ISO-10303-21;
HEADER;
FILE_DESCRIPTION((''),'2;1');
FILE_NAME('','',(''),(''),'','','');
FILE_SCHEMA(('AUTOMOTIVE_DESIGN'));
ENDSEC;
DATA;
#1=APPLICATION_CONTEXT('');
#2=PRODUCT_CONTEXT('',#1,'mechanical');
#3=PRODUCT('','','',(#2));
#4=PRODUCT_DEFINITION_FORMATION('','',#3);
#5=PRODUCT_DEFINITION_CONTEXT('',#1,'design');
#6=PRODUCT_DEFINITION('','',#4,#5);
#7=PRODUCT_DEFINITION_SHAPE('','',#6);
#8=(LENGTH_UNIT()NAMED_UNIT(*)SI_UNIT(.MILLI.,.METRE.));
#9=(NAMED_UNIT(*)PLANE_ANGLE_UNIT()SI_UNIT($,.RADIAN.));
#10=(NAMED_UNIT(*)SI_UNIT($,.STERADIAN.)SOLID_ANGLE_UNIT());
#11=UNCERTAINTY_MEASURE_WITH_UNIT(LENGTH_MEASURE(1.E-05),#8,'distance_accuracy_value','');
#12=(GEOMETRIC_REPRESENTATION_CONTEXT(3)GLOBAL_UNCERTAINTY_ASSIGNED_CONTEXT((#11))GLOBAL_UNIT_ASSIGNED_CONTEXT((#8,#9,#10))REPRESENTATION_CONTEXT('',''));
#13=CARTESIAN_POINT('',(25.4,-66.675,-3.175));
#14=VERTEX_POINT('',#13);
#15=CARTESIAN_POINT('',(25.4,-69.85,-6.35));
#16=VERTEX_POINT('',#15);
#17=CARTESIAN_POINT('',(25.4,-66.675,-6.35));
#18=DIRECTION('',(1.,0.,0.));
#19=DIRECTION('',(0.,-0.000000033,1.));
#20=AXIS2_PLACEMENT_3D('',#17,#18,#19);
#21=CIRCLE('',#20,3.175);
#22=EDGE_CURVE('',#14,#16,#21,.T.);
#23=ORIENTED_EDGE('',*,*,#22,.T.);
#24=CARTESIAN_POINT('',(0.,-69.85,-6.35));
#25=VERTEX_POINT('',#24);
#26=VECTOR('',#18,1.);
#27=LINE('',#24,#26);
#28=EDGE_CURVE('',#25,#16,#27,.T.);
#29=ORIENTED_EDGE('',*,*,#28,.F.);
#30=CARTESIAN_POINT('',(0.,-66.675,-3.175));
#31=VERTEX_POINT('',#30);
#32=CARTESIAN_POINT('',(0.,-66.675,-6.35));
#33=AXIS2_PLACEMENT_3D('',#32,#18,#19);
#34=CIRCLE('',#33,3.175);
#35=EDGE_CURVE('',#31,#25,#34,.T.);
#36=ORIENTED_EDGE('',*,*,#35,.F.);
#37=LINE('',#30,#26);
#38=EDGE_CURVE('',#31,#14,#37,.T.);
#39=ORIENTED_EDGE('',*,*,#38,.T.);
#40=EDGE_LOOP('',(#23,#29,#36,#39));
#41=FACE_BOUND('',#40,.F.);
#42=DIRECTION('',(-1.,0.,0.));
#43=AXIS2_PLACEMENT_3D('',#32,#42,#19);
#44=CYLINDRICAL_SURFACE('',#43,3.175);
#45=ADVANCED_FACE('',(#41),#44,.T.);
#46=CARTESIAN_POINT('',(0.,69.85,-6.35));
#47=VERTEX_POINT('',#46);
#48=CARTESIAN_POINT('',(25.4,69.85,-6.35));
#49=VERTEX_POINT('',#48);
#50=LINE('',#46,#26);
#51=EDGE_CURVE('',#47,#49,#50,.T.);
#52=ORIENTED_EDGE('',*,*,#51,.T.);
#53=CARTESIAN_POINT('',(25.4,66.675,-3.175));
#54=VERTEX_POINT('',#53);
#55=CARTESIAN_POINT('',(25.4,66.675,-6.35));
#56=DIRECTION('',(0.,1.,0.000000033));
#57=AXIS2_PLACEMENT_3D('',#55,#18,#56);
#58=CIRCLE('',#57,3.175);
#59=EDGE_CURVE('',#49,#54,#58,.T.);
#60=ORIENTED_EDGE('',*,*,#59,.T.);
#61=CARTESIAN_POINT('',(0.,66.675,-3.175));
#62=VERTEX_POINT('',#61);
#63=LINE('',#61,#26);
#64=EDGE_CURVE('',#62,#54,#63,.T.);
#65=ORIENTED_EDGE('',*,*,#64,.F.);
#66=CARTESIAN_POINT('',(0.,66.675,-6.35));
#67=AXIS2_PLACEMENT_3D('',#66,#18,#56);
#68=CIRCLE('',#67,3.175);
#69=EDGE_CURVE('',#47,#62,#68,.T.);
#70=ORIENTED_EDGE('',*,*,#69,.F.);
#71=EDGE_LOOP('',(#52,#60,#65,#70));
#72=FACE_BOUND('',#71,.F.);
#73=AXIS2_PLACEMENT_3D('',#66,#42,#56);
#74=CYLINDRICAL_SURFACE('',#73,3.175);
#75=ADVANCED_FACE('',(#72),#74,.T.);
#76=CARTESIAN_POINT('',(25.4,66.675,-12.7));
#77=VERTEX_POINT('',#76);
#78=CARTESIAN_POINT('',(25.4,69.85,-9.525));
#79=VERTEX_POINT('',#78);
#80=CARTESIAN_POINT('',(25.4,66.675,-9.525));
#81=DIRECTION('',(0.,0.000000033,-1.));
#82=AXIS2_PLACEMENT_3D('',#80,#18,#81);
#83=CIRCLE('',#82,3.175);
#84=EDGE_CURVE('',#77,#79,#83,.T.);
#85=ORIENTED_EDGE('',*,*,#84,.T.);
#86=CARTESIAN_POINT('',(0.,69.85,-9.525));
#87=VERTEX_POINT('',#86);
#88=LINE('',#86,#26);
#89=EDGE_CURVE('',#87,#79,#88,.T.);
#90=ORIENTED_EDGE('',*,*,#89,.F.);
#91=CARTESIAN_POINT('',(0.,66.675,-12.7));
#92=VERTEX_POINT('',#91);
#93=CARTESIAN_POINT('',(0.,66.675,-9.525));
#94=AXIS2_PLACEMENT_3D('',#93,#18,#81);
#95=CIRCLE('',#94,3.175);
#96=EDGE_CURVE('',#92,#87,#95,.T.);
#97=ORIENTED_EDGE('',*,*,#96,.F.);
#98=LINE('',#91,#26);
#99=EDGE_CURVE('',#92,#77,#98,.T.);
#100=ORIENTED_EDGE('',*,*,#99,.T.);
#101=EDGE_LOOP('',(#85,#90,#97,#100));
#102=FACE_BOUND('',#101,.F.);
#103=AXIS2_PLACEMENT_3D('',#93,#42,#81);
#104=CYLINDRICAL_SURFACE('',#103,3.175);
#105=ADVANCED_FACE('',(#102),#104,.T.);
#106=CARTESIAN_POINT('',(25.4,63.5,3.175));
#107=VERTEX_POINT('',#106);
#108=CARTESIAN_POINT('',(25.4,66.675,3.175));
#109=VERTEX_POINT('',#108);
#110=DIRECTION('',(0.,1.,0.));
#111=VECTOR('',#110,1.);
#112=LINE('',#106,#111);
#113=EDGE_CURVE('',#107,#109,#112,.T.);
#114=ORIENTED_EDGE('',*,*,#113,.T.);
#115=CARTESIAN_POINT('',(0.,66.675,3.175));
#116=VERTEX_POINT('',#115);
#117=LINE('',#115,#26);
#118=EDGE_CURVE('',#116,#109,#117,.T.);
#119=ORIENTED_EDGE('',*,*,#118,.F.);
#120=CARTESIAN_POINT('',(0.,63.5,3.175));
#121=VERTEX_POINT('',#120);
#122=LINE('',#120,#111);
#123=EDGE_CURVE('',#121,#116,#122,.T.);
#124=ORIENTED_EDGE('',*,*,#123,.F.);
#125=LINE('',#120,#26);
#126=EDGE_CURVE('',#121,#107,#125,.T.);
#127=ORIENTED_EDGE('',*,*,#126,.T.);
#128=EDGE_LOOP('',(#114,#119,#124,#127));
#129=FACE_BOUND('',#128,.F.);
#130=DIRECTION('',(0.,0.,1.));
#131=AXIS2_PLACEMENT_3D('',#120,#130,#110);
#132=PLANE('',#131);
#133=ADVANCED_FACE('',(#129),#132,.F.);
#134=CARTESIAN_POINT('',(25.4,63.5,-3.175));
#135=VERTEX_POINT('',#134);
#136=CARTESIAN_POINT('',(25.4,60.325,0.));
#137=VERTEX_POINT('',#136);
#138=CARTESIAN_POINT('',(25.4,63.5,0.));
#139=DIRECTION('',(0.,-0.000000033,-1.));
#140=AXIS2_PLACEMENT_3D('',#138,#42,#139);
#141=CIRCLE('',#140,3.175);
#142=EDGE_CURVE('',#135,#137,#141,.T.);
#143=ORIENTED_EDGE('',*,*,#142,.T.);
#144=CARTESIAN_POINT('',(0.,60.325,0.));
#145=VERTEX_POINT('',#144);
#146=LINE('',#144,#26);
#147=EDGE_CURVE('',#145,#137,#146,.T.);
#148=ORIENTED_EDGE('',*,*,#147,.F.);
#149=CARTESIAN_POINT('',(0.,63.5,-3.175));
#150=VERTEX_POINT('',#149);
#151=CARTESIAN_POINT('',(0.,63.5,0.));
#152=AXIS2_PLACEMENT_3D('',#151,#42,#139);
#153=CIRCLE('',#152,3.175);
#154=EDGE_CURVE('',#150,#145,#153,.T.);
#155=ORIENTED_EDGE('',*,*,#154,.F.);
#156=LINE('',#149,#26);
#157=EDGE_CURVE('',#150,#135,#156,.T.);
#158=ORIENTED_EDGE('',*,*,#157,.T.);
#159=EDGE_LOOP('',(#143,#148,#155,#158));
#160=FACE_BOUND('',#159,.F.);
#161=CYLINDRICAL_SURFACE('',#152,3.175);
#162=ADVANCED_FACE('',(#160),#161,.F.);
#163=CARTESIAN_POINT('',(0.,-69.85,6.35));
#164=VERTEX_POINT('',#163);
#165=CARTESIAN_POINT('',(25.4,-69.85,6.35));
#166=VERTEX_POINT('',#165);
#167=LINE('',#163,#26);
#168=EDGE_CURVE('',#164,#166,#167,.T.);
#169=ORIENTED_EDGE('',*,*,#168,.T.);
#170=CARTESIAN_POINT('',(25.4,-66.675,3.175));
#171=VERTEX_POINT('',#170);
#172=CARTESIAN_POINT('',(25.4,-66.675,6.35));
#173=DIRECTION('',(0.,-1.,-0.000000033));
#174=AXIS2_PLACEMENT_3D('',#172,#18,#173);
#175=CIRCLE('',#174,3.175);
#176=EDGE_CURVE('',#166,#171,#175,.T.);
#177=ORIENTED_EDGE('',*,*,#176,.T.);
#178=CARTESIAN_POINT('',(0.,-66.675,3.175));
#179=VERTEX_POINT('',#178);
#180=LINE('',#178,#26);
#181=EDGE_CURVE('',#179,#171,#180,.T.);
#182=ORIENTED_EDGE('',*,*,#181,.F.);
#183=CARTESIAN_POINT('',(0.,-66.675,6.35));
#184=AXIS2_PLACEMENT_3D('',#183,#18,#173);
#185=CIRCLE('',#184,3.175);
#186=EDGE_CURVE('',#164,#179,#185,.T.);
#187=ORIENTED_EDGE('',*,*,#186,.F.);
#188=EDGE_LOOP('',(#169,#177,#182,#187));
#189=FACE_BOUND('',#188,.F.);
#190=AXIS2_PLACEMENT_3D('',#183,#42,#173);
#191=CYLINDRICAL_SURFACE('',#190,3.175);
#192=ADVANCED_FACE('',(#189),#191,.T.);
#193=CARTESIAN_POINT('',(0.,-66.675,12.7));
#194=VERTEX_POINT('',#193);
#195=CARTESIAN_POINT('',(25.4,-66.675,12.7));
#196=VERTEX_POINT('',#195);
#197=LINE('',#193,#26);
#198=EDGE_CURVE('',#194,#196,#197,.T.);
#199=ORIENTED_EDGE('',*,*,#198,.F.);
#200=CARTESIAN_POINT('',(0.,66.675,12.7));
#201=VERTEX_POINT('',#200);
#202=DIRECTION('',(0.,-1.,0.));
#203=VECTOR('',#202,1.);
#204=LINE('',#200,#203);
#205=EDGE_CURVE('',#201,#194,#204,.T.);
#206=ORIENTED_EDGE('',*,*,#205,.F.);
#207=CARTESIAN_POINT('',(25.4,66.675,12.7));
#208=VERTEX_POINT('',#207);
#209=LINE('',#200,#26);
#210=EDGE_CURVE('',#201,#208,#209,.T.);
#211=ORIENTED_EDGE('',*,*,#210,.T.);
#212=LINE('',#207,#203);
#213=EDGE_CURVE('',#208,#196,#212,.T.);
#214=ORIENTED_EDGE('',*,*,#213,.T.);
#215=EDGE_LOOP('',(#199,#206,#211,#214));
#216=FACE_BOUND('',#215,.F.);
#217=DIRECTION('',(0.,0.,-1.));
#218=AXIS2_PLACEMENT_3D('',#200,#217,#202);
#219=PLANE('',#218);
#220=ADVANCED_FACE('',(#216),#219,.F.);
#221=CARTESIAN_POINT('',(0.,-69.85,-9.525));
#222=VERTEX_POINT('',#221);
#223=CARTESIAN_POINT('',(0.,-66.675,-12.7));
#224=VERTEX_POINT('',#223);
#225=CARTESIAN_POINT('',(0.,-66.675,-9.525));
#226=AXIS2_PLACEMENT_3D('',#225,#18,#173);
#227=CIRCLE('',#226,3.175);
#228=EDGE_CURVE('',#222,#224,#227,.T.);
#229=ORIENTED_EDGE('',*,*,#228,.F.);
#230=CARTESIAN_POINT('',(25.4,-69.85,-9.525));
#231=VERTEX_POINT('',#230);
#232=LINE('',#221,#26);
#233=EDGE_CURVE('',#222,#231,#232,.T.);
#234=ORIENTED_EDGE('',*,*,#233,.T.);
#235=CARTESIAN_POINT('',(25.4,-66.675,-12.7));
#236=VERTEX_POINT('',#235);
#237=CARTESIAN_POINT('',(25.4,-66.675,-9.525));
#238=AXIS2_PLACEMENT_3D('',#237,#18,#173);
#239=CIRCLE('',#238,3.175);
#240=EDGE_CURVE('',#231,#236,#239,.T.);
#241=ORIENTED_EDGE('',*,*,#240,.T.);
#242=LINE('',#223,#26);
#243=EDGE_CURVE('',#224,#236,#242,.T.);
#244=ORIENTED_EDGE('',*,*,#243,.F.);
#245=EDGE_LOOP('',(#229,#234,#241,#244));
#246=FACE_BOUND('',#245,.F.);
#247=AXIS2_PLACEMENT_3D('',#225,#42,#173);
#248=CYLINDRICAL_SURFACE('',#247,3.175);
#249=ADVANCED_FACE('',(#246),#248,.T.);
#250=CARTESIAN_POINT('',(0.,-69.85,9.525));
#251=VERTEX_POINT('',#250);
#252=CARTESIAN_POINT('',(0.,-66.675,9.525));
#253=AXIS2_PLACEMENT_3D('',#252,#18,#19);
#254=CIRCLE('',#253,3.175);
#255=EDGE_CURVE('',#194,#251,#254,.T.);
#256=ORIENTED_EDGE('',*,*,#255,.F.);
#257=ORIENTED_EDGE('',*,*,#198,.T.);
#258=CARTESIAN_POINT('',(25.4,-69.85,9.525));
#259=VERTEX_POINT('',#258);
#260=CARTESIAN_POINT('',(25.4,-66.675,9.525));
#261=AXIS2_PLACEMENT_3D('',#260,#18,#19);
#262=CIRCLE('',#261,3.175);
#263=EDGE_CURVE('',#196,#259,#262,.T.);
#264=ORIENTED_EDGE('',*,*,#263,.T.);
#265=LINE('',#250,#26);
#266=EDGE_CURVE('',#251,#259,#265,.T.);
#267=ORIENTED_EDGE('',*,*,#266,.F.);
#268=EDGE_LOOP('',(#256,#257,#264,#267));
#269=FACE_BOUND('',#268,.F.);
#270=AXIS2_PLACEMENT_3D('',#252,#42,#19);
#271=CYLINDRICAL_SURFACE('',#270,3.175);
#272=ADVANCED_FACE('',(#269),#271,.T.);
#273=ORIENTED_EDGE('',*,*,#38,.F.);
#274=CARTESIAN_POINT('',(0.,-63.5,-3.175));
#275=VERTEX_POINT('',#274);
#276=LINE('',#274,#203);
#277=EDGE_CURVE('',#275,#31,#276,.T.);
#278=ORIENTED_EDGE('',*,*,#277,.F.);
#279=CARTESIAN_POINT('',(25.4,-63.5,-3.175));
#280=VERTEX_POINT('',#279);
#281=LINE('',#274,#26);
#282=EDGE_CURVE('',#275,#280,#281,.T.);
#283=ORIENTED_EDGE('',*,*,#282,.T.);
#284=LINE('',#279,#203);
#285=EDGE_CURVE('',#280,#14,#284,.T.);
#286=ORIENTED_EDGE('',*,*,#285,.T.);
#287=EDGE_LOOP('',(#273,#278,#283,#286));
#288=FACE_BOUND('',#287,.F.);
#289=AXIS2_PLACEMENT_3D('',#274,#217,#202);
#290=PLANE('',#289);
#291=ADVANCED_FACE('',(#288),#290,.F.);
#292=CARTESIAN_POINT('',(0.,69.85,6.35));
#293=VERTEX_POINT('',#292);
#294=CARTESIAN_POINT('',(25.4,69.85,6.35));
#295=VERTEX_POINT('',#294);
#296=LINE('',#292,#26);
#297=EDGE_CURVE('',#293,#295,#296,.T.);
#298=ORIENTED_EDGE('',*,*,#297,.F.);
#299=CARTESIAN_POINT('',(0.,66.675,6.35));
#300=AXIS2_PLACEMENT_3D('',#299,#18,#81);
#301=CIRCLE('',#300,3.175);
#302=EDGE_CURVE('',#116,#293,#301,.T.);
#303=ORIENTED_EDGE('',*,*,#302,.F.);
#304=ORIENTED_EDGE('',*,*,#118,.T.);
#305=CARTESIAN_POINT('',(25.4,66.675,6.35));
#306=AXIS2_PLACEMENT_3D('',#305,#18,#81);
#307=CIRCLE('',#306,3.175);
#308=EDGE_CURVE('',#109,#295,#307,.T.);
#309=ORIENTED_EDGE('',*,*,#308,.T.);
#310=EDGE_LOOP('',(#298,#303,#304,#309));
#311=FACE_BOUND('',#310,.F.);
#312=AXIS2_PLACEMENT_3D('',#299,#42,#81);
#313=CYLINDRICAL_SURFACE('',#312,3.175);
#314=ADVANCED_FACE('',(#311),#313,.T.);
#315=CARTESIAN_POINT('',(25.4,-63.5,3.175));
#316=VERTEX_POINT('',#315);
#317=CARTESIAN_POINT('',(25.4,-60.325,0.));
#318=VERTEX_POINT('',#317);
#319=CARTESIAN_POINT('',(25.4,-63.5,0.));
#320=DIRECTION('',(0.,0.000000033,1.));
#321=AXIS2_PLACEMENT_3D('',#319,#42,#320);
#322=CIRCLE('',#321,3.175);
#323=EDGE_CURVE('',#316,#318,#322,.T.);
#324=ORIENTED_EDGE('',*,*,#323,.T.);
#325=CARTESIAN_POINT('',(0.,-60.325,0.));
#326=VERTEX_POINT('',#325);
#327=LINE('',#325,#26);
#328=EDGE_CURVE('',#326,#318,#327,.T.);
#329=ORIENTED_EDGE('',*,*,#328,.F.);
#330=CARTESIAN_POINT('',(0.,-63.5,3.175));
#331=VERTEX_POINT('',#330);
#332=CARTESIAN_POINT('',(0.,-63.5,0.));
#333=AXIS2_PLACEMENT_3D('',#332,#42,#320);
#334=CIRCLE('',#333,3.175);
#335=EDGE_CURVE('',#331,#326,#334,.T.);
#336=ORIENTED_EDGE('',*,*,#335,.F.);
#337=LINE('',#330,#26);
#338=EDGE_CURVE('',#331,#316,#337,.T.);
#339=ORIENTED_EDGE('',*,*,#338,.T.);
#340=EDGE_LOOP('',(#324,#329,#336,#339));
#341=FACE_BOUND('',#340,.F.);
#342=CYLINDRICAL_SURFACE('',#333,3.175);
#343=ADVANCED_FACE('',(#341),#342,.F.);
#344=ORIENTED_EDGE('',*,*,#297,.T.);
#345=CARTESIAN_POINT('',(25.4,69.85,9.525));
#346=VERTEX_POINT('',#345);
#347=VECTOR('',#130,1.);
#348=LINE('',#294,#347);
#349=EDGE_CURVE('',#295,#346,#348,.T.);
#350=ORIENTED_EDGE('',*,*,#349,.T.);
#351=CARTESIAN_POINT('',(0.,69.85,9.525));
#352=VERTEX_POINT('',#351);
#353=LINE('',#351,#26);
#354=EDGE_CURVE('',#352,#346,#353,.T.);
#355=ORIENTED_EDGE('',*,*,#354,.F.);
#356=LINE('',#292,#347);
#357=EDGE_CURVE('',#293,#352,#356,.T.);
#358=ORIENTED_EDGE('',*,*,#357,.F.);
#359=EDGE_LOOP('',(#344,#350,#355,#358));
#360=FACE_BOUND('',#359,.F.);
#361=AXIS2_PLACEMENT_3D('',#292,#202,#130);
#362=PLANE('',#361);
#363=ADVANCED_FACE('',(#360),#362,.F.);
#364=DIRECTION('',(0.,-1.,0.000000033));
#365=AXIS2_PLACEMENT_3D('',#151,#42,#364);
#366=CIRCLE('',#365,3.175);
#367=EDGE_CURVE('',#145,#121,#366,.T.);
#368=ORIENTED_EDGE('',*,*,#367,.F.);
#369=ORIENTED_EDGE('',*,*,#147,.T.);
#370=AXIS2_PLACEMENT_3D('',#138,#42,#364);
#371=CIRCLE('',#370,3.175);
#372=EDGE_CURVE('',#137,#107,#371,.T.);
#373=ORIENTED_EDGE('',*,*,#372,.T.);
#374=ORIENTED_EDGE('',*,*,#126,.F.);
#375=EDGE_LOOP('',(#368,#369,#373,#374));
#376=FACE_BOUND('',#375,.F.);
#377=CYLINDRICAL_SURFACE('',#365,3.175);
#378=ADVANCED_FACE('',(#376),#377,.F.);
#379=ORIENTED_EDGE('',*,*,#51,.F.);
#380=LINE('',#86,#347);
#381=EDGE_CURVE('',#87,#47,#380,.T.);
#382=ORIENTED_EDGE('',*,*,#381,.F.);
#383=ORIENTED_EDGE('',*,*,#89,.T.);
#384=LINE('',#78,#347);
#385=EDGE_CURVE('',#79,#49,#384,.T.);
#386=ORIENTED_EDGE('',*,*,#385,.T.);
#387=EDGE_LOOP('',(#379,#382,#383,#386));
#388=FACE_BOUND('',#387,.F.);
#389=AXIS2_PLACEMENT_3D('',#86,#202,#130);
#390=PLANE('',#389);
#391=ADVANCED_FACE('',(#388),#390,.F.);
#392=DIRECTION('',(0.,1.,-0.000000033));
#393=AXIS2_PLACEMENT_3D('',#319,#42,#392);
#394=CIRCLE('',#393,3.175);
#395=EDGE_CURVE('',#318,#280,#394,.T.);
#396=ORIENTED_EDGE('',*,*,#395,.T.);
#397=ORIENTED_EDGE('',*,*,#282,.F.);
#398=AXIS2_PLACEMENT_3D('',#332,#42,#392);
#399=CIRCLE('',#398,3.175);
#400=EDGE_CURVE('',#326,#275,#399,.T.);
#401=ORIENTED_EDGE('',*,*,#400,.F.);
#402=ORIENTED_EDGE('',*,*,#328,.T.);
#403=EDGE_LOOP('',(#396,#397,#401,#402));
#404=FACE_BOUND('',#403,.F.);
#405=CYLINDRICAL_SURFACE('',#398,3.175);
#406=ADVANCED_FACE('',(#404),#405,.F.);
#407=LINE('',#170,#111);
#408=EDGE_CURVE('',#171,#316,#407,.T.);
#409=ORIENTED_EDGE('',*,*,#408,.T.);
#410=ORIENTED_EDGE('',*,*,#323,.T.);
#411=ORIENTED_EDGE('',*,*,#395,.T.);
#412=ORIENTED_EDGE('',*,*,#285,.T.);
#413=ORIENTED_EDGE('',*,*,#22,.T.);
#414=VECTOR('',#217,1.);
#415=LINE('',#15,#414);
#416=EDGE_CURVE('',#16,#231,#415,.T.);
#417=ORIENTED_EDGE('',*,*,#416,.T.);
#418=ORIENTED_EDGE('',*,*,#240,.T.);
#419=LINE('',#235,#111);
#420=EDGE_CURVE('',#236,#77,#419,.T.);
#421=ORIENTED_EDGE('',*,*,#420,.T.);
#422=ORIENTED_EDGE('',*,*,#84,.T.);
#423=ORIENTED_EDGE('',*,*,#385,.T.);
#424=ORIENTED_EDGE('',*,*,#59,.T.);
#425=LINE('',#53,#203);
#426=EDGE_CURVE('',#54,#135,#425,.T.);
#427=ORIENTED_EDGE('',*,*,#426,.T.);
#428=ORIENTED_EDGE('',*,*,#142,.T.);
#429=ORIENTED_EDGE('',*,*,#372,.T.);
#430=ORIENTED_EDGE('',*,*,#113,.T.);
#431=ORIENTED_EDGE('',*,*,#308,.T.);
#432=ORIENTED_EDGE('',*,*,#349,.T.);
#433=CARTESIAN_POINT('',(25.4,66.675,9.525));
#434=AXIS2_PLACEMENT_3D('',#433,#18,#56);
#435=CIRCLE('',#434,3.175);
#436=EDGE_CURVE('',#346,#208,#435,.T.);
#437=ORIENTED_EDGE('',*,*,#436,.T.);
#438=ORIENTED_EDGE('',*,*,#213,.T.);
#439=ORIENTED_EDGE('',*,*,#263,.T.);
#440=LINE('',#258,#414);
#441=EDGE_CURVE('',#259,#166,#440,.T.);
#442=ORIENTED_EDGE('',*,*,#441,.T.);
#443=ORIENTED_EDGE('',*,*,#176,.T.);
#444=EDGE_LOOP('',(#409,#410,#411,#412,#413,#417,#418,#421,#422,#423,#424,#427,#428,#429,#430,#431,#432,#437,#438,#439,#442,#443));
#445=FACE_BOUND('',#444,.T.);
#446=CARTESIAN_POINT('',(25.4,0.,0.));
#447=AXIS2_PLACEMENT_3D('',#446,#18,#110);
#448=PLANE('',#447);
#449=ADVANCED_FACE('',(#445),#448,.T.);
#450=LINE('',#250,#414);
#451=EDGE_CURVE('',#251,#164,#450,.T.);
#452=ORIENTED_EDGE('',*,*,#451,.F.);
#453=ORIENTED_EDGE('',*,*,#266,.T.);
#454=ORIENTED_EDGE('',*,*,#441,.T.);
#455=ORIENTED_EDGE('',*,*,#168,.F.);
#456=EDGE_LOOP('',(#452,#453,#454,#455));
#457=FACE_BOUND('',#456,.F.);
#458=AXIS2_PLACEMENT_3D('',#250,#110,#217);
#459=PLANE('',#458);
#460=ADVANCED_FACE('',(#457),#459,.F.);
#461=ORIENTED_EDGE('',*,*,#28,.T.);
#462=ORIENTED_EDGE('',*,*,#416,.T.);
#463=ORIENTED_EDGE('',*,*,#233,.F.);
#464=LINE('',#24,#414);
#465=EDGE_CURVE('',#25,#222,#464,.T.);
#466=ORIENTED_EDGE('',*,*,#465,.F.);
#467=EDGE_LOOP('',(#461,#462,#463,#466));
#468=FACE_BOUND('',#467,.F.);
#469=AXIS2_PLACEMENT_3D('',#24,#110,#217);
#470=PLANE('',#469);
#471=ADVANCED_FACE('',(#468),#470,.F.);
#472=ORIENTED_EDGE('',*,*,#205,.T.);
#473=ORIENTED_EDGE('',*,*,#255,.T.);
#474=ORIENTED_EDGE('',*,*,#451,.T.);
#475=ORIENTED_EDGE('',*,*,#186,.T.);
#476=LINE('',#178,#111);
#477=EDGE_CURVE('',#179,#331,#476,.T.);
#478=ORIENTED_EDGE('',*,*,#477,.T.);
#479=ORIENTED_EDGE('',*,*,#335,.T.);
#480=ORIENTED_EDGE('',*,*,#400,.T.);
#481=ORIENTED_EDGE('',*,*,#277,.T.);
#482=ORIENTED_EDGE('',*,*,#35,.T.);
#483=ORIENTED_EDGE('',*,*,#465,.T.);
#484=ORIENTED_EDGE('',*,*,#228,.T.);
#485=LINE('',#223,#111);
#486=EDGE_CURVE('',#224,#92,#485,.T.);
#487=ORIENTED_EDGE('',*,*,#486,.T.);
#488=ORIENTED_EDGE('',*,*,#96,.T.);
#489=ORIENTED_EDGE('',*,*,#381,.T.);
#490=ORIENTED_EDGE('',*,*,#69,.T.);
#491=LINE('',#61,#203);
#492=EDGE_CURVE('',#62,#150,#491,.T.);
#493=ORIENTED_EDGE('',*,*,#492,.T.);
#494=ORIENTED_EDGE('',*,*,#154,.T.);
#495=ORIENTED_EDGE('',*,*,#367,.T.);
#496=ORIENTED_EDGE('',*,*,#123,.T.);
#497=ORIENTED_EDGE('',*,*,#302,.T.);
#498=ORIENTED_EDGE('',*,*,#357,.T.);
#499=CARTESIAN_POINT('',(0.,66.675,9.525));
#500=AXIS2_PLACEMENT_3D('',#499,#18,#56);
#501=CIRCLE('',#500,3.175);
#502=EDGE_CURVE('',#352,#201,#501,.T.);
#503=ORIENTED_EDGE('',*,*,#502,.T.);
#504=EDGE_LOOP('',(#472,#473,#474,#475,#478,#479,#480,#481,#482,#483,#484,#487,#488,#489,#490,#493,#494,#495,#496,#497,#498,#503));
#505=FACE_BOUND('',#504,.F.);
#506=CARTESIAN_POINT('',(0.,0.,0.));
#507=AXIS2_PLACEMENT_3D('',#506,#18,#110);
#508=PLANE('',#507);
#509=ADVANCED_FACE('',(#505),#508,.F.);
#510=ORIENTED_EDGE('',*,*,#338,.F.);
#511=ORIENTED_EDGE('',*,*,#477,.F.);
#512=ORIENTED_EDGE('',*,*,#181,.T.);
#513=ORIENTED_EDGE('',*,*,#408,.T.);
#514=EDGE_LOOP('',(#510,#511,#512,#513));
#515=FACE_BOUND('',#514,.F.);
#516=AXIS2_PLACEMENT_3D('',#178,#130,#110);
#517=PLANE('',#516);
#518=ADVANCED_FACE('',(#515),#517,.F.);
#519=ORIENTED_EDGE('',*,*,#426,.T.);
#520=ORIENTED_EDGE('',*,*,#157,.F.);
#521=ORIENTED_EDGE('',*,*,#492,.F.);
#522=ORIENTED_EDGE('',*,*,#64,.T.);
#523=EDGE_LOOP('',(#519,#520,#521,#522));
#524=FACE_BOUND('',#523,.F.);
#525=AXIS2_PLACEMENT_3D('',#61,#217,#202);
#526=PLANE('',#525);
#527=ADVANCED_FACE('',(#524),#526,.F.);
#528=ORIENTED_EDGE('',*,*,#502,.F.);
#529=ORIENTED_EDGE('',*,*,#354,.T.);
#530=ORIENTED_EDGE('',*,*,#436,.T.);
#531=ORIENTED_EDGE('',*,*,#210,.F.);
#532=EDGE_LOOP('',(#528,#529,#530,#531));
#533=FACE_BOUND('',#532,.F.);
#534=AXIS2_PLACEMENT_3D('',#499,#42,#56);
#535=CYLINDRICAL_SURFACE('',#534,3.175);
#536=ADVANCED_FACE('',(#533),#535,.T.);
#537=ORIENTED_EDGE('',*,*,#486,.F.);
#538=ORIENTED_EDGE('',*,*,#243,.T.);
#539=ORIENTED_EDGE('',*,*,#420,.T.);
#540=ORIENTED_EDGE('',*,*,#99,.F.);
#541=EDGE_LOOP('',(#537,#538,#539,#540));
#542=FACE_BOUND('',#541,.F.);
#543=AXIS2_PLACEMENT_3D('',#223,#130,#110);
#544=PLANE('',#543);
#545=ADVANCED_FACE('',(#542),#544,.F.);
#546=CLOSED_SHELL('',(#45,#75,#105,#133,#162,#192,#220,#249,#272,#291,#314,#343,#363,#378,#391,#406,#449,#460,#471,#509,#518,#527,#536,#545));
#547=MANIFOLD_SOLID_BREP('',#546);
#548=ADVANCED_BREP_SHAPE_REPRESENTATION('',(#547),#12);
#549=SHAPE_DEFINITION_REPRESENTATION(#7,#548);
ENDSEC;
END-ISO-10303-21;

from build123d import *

# Parameters (mm, degrees)
F1_DEPTH = 25.4


with BuildPart() as f1:
    # F0 (on Right) → F1 (new body)
    with BuildSketch(Plane.YZ):
        with BuildLine():
            Line((66.675, 12.7), (-66.675, 12.7))
            ThreePointArc((-66.675, 12.7), (-68.920064, 11.770064), (-69.85, 9.525))
            Line((-69.85, 9.525), (-69.85, 6.35))
            ThreePointArc((-69.85, 6.35), (-68.920064, 4.104936), (-66.675, 3.175))
            Line((-66.675, 3.175), (-63.5, 3.175))
            ThreePointArc((-63.5, 3.175), (-61.254936, 2.245064), (-60.325, 0))
            ThreePointArc((-60.325, 0), (-61.254936, -2.245064), (-63.5, -3.175))
            Line((-63.5, -3.175), (-66.675, -3.175))
            ThreePointArc((-66.675, -3.175), (-68.920064, -4.104936), (-69.85, -6.35))
            Line((-69.85, -6.35), (-69.85, -9.525))
            ThreePointArc((-69.85, -9.525), (-68.920064, -11.770064), (-66.675, -12.7))
            Line((-66.675, -12.7), (66.675, -12.7))
            ThreePointArc((66.675, -12.7), (68.920064, -11.770064), (69.85, -9.525))
            Line((69.85, -9.525), (69.85, -6.35))
            ThreePointArc((69.85, -6.35), (68.920064, -4.104936), (66.675, -3.175))
            Line((66.675, -3.175), (63.5, -3.175))
            ThreePointArc((63.5, -3.175), (61.254936, -2.245064), (60.325, 0))
            ThreePointArc((60.325, 0), (61.254936, 2.245064), (63.5, 3.175))
            Line((63.5, 3.175), (66.675, 3.175))
            ThreePointArc((66.675, 3.175), (68.920064, 4.104936), (69.85, 6.35))
            Line((69.85, 6.35), (69.85, 9.525))
            ThreePointArc((69.85, 9.525), (68.920064, 11.770064), (66.675, 12.7))
        make_face()
    extrude(amount=F1_DEPTH)


solid = f1.part
